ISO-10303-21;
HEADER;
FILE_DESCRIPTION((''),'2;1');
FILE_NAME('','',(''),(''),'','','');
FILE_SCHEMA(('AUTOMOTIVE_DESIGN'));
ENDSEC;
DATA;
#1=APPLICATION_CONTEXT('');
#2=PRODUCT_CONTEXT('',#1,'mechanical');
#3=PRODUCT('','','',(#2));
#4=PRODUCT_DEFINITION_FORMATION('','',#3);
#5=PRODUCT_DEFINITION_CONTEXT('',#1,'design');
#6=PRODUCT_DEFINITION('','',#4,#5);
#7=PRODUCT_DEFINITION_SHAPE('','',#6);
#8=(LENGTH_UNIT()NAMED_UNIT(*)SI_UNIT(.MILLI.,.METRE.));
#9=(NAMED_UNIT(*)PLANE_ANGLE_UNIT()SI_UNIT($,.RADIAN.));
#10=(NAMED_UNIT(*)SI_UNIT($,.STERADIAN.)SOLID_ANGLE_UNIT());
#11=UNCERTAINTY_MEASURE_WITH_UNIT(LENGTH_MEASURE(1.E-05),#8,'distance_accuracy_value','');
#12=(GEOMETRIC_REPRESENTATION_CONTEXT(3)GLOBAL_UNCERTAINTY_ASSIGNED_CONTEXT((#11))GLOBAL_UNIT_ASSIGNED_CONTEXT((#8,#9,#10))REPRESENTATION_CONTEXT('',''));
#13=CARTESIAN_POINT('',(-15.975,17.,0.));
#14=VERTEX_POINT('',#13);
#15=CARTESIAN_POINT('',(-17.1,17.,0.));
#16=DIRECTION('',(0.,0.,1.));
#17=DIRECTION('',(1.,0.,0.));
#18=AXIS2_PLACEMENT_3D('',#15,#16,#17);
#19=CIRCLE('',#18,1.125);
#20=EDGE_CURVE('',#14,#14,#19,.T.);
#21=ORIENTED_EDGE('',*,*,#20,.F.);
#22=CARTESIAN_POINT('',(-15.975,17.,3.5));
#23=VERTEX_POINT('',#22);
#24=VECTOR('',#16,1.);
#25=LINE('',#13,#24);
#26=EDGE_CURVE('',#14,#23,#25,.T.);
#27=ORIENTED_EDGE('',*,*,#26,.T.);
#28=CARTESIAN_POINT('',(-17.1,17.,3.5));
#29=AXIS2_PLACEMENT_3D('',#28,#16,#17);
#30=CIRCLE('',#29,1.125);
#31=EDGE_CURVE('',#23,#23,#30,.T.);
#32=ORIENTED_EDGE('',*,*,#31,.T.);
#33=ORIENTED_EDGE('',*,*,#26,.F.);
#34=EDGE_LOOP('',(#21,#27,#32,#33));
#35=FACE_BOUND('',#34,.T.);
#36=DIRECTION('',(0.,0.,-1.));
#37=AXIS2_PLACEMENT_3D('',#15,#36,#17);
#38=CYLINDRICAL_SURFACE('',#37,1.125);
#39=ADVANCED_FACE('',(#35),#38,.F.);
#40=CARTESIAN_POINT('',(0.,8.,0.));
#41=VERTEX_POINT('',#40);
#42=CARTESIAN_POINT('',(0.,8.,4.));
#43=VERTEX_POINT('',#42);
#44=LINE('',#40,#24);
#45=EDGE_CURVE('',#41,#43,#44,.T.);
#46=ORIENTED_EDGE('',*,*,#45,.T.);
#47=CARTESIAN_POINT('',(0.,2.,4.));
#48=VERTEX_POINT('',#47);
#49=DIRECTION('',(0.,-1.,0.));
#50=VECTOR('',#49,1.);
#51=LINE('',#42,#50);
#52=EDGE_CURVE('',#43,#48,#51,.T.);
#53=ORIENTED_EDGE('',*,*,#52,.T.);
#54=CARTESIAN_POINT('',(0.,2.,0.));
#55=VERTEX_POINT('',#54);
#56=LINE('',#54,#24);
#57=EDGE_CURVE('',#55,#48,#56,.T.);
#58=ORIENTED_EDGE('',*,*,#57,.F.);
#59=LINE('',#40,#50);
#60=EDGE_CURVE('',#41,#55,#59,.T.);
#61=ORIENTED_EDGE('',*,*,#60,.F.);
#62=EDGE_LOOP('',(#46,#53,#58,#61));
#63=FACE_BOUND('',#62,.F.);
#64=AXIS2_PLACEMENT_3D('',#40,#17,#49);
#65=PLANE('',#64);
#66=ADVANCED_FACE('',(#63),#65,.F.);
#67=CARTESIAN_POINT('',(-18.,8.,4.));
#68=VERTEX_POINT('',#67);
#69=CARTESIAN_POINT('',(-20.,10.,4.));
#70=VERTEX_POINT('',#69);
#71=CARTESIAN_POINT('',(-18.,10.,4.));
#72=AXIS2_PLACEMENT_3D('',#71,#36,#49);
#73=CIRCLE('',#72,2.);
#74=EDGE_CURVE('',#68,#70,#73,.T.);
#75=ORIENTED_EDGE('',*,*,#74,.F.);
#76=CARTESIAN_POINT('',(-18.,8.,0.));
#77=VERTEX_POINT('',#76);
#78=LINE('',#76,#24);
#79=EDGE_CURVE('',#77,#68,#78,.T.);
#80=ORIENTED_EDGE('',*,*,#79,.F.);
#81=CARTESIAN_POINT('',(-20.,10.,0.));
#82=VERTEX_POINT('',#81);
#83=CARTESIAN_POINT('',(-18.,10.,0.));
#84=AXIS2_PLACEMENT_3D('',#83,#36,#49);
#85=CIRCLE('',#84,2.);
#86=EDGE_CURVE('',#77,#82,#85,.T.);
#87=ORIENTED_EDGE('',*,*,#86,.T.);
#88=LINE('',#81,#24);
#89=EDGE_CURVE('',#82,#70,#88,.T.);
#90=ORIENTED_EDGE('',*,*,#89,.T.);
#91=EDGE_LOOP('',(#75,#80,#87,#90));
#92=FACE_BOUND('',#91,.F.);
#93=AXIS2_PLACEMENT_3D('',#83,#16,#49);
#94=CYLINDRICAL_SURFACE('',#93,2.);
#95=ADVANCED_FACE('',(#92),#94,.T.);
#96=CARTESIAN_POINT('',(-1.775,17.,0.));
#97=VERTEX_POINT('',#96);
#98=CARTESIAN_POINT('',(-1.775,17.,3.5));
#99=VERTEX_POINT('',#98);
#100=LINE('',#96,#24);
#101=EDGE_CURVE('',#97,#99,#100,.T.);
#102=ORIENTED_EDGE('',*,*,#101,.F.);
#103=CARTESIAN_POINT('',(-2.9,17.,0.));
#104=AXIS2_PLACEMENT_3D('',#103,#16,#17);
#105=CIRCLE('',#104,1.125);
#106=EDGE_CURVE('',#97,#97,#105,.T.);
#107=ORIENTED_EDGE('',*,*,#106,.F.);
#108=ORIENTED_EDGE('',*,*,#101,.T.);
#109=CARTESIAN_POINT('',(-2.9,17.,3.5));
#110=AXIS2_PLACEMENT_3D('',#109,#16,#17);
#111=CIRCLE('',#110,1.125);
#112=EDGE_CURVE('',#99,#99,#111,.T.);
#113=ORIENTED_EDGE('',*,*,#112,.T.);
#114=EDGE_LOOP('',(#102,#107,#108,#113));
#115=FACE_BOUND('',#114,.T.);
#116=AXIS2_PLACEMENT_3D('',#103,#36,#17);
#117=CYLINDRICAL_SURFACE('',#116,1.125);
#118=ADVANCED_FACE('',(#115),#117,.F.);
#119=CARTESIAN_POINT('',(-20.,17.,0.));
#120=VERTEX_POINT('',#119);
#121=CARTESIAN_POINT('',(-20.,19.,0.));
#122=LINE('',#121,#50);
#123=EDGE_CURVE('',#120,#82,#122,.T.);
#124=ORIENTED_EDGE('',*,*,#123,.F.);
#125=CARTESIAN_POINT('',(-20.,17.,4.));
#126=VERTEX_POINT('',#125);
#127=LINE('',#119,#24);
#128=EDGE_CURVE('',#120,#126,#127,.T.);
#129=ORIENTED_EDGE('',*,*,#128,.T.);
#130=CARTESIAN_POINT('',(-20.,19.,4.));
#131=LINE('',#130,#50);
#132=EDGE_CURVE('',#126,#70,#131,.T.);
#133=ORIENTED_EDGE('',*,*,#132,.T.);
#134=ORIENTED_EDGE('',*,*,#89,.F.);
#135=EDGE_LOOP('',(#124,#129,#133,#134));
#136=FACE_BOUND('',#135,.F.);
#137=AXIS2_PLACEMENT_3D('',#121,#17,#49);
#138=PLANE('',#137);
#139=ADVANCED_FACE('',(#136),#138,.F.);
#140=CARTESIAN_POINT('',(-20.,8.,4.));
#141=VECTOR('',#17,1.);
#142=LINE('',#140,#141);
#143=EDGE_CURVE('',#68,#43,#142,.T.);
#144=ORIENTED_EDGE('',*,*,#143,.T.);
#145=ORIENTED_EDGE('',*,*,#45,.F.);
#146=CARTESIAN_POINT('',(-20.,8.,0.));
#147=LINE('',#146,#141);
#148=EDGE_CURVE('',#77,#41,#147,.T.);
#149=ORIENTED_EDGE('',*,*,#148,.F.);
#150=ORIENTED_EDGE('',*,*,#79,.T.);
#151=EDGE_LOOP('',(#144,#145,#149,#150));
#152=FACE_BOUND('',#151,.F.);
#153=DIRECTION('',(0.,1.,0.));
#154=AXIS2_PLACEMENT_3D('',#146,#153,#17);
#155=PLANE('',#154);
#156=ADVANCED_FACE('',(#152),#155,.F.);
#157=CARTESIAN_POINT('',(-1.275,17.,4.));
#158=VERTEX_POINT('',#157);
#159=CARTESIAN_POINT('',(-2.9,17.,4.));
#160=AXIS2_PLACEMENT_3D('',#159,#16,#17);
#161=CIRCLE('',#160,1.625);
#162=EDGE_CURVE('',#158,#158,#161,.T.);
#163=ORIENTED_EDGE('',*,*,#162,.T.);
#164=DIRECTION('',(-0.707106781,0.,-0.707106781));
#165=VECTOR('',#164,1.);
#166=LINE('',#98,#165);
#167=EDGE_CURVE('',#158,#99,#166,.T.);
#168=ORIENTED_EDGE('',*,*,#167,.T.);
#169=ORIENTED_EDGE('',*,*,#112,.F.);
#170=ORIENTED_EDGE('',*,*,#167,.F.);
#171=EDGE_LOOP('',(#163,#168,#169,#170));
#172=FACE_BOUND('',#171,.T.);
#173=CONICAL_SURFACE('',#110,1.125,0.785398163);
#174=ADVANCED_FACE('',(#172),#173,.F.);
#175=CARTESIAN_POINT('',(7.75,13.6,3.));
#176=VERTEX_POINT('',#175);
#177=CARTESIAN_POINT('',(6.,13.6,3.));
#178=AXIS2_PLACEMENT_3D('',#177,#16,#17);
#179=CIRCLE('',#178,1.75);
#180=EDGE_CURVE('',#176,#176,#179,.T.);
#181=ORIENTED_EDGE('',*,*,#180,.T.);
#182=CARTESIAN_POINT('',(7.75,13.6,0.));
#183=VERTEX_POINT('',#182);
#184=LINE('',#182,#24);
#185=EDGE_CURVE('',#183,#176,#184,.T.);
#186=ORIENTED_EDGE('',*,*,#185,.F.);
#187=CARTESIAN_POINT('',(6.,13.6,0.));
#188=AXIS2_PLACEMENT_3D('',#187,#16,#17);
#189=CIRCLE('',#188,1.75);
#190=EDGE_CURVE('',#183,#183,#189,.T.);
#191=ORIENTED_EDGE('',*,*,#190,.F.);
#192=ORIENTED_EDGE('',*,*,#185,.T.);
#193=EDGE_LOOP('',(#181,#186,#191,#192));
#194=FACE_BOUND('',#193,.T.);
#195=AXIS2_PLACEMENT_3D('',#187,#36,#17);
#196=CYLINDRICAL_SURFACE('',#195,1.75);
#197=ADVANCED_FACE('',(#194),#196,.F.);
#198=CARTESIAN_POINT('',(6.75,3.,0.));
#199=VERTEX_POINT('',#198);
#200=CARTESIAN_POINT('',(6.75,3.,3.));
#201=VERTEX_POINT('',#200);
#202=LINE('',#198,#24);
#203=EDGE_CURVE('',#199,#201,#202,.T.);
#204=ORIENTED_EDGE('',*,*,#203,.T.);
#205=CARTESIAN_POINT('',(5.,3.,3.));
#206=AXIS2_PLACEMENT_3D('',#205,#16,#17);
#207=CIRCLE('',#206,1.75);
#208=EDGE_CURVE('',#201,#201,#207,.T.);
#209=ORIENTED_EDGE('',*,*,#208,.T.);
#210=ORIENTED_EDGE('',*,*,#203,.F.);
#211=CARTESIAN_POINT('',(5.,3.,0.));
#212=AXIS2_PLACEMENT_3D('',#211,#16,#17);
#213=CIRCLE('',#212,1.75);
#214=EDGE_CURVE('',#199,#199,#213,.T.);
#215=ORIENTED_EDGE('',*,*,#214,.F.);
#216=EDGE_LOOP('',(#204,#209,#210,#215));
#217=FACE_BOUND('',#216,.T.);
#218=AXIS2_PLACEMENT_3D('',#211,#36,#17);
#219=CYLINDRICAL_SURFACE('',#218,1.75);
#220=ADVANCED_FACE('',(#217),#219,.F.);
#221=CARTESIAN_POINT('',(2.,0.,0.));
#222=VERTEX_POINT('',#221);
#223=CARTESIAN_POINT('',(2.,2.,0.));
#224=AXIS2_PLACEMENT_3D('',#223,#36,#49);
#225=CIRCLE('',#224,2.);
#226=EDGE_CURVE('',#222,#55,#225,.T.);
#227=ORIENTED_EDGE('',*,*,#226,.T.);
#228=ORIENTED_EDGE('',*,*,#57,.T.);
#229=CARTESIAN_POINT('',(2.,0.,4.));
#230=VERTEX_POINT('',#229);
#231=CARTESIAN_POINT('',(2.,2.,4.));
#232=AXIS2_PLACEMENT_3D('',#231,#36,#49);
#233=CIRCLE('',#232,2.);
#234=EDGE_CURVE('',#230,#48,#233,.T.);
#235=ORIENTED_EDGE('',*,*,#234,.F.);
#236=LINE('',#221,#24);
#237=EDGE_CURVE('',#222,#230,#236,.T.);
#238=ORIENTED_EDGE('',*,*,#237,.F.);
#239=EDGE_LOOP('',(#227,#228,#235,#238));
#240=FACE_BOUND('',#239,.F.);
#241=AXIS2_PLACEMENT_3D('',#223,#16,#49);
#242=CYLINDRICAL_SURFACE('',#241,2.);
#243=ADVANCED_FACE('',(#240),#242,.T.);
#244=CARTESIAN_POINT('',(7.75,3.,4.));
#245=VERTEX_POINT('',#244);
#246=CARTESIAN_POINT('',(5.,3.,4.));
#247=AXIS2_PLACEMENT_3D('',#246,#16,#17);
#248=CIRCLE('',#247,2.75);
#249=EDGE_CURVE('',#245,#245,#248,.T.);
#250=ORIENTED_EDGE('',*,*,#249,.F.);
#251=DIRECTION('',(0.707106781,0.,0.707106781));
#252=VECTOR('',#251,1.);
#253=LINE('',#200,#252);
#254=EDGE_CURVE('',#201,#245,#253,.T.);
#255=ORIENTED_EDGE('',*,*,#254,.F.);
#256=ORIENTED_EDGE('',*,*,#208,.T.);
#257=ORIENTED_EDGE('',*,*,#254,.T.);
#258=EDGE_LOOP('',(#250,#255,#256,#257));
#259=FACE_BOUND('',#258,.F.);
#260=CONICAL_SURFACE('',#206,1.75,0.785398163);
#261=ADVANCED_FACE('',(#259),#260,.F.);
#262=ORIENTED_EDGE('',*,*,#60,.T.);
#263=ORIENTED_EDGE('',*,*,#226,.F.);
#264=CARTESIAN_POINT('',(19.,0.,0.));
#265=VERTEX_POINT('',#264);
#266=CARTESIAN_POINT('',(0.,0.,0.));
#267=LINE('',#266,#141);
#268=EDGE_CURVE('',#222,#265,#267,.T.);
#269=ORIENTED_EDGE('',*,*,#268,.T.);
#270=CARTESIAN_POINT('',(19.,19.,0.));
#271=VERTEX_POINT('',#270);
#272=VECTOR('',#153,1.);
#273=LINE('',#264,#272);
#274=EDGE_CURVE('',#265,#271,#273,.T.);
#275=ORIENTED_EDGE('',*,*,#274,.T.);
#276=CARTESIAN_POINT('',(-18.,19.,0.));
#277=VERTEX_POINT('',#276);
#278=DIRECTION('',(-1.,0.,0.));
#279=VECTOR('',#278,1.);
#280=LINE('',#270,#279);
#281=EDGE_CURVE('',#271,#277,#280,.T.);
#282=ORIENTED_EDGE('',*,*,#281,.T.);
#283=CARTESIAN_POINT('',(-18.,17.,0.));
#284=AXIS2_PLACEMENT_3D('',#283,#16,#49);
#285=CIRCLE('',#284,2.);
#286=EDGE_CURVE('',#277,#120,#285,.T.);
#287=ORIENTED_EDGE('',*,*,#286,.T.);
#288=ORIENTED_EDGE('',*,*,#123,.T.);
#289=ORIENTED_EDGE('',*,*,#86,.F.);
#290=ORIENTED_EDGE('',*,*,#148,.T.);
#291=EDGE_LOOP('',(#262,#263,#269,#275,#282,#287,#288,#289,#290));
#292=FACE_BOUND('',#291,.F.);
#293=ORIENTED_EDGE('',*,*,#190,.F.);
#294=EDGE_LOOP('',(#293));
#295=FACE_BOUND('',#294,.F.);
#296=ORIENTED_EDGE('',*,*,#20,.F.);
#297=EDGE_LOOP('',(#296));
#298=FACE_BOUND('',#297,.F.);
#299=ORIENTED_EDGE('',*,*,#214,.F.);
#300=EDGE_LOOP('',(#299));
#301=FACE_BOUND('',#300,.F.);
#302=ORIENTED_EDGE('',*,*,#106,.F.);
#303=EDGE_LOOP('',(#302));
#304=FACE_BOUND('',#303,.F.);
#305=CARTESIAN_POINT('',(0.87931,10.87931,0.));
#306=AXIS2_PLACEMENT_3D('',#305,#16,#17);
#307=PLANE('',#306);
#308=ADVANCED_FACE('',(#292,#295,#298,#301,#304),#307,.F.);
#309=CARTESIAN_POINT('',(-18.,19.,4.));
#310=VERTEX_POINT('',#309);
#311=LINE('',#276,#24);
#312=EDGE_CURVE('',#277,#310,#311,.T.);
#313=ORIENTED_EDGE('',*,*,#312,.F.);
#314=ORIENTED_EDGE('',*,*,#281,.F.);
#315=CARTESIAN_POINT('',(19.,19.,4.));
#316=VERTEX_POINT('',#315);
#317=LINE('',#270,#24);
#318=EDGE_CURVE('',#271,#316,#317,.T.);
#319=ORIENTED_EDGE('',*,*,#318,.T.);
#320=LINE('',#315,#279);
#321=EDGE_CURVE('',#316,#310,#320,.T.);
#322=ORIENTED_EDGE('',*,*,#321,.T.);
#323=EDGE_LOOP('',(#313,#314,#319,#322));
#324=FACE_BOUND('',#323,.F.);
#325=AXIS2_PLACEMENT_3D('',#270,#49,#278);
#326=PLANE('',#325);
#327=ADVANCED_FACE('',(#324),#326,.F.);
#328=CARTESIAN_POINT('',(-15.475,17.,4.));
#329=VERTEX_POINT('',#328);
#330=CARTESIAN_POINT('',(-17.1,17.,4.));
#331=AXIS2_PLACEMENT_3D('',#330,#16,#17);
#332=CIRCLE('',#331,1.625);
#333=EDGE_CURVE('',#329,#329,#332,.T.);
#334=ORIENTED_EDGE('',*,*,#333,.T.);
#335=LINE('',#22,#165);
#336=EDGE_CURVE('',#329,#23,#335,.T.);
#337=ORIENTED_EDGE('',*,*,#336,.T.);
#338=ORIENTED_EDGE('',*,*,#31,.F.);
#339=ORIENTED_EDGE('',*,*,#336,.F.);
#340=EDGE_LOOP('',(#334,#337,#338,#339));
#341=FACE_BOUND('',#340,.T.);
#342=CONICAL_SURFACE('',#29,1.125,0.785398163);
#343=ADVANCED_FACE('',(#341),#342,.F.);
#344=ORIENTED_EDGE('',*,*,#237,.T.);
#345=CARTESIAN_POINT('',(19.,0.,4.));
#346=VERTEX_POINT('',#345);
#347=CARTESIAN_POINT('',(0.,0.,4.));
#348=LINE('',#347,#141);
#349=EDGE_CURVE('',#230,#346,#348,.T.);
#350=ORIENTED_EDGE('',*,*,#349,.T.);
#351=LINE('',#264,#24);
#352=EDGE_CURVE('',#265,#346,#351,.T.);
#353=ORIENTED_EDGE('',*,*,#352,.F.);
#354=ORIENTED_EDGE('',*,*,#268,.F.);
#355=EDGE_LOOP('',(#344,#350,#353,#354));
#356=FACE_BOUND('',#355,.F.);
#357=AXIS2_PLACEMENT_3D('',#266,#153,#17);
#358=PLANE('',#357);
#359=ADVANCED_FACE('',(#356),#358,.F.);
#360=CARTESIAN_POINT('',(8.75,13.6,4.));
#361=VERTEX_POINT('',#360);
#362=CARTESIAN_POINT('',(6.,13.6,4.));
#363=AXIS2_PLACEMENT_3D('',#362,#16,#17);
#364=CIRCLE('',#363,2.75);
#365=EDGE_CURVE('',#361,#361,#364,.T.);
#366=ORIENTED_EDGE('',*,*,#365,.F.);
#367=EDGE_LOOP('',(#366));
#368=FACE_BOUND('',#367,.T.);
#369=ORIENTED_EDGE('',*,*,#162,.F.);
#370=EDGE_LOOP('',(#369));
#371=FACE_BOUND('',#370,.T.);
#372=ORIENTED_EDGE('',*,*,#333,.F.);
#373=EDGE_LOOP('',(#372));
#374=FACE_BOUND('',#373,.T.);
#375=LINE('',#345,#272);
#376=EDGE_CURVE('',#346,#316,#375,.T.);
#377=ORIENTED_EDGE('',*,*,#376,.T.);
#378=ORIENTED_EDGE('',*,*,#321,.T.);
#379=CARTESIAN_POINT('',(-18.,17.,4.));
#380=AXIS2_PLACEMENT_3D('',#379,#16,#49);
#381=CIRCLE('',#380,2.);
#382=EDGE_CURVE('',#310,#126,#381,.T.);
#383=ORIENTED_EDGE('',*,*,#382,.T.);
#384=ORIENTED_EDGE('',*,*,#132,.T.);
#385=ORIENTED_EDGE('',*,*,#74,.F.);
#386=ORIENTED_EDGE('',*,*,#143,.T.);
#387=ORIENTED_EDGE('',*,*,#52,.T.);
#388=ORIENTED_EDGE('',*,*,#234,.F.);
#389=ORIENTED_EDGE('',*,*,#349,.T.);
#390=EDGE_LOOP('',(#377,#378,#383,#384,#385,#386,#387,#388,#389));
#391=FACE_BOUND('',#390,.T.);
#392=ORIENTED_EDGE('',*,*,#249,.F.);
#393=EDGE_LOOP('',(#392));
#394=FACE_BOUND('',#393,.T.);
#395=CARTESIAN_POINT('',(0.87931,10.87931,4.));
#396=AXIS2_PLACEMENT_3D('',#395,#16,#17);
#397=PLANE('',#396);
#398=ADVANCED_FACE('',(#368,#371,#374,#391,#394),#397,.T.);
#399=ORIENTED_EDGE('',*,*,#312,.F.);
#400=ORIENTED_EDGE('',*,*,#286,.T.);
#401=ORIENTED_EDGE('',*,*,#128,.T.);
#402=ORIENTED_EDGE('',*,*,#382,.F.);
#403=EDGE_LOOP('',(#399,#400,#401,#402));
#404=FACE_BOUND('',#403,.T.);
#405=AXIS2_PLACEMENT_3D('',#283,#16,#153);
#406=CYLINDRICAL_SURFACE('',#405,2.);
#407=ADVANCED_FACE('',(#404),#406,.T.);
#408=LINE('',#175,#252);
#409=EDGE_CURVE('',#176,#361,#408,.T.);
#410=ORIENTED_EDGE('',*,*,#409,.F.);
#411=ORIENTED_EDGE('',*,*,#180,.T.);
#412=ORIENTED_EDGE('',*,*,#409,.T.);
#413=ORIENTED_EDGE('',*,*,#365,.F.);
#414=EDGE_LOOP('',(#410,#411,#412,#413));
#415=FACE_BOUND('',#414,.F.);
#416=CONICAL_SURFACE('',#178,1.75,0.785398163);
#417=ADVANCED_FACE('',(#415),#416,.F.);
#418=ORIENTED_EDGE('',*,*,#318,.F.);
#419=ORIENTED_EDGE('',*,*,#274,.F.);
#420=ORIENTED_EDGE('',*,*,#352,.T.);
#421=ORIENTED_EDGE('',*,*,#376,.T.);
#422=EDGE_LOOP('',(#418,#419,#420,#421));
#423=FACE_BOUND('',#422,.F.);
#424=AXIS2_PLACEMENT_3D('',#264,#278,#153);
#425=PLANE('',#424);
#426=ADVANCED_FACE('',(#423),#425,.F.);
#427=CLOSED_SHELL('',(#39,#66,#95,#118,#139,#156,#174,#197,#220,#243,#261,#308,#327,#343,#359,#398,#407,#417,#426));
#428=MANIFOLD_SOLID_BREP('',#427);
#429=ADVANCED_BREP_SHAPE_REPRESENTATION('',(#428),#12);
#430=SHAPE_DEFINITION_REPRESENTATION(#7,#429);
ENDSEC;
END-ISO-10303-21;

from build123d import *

# Parameters (mm, degrees)
SKETCH_R        = 1.75
SKETCH_R_2      = 1.125
PAD_DEPTH       = 4
CHAMFER_SIZE    = 1
CHAMFER001_SIZE = 0.5
FILLET_R        = 2


with BuildPart() as part:
    # Sketch → Pad (new body)
    with BuildSketch(Plane.XY):
        Polygon((0, 0), (19, 0), (19, 19), (0, 19), (-20, 19), (-20, 8), (0, 8), align=None)
        with Locations((5, 3)):
            Circle(SKETCH_R, mode=Mode.SUBTRACT)
        with Locations((6, 13.6)):
            Circle(SKETCH_R, mode=Mode.SUBTRACT)
        with Locations((-2.9, 17)):
            Circle(SKETCH_R_2, mode=Mode.SUBTRACT)
        with Locations((-17.1, 17)):
            Circle(SKETCH_R_2, mode=Mode.SUBTRACT)
    extrude(amount=PAD_DEPTH)

    # Chamfer
    chamfer_edges = [part.edges().sort_by_distance(p)[0] for p in [
        (4.25, 13.6, 4),
        (3.25, 3, 4),
    ]]
    chamfer(chamfer_edges, length=CHAMFER_SIZE)

    # Chamfer001
    chamfer001_edges = [part.edges().sort_by_distance(p)[0] for p in [
        (-4.025, 17, 4),
        (-18.225, 17, 4),
    ]]
    chamfer(chamfer001_edges, length=CHAMFER001_SIZE)

    # Fillet
    fillet_edges = [part.edges().sort_by_distance(p)[0] for p in [
        (0, 0, 2),
        (-20, 8, 2),
        (-20, 19, 2),
    ]]
    fillet(fillet_edges, radius=FILLET_R)


solid = part.part
